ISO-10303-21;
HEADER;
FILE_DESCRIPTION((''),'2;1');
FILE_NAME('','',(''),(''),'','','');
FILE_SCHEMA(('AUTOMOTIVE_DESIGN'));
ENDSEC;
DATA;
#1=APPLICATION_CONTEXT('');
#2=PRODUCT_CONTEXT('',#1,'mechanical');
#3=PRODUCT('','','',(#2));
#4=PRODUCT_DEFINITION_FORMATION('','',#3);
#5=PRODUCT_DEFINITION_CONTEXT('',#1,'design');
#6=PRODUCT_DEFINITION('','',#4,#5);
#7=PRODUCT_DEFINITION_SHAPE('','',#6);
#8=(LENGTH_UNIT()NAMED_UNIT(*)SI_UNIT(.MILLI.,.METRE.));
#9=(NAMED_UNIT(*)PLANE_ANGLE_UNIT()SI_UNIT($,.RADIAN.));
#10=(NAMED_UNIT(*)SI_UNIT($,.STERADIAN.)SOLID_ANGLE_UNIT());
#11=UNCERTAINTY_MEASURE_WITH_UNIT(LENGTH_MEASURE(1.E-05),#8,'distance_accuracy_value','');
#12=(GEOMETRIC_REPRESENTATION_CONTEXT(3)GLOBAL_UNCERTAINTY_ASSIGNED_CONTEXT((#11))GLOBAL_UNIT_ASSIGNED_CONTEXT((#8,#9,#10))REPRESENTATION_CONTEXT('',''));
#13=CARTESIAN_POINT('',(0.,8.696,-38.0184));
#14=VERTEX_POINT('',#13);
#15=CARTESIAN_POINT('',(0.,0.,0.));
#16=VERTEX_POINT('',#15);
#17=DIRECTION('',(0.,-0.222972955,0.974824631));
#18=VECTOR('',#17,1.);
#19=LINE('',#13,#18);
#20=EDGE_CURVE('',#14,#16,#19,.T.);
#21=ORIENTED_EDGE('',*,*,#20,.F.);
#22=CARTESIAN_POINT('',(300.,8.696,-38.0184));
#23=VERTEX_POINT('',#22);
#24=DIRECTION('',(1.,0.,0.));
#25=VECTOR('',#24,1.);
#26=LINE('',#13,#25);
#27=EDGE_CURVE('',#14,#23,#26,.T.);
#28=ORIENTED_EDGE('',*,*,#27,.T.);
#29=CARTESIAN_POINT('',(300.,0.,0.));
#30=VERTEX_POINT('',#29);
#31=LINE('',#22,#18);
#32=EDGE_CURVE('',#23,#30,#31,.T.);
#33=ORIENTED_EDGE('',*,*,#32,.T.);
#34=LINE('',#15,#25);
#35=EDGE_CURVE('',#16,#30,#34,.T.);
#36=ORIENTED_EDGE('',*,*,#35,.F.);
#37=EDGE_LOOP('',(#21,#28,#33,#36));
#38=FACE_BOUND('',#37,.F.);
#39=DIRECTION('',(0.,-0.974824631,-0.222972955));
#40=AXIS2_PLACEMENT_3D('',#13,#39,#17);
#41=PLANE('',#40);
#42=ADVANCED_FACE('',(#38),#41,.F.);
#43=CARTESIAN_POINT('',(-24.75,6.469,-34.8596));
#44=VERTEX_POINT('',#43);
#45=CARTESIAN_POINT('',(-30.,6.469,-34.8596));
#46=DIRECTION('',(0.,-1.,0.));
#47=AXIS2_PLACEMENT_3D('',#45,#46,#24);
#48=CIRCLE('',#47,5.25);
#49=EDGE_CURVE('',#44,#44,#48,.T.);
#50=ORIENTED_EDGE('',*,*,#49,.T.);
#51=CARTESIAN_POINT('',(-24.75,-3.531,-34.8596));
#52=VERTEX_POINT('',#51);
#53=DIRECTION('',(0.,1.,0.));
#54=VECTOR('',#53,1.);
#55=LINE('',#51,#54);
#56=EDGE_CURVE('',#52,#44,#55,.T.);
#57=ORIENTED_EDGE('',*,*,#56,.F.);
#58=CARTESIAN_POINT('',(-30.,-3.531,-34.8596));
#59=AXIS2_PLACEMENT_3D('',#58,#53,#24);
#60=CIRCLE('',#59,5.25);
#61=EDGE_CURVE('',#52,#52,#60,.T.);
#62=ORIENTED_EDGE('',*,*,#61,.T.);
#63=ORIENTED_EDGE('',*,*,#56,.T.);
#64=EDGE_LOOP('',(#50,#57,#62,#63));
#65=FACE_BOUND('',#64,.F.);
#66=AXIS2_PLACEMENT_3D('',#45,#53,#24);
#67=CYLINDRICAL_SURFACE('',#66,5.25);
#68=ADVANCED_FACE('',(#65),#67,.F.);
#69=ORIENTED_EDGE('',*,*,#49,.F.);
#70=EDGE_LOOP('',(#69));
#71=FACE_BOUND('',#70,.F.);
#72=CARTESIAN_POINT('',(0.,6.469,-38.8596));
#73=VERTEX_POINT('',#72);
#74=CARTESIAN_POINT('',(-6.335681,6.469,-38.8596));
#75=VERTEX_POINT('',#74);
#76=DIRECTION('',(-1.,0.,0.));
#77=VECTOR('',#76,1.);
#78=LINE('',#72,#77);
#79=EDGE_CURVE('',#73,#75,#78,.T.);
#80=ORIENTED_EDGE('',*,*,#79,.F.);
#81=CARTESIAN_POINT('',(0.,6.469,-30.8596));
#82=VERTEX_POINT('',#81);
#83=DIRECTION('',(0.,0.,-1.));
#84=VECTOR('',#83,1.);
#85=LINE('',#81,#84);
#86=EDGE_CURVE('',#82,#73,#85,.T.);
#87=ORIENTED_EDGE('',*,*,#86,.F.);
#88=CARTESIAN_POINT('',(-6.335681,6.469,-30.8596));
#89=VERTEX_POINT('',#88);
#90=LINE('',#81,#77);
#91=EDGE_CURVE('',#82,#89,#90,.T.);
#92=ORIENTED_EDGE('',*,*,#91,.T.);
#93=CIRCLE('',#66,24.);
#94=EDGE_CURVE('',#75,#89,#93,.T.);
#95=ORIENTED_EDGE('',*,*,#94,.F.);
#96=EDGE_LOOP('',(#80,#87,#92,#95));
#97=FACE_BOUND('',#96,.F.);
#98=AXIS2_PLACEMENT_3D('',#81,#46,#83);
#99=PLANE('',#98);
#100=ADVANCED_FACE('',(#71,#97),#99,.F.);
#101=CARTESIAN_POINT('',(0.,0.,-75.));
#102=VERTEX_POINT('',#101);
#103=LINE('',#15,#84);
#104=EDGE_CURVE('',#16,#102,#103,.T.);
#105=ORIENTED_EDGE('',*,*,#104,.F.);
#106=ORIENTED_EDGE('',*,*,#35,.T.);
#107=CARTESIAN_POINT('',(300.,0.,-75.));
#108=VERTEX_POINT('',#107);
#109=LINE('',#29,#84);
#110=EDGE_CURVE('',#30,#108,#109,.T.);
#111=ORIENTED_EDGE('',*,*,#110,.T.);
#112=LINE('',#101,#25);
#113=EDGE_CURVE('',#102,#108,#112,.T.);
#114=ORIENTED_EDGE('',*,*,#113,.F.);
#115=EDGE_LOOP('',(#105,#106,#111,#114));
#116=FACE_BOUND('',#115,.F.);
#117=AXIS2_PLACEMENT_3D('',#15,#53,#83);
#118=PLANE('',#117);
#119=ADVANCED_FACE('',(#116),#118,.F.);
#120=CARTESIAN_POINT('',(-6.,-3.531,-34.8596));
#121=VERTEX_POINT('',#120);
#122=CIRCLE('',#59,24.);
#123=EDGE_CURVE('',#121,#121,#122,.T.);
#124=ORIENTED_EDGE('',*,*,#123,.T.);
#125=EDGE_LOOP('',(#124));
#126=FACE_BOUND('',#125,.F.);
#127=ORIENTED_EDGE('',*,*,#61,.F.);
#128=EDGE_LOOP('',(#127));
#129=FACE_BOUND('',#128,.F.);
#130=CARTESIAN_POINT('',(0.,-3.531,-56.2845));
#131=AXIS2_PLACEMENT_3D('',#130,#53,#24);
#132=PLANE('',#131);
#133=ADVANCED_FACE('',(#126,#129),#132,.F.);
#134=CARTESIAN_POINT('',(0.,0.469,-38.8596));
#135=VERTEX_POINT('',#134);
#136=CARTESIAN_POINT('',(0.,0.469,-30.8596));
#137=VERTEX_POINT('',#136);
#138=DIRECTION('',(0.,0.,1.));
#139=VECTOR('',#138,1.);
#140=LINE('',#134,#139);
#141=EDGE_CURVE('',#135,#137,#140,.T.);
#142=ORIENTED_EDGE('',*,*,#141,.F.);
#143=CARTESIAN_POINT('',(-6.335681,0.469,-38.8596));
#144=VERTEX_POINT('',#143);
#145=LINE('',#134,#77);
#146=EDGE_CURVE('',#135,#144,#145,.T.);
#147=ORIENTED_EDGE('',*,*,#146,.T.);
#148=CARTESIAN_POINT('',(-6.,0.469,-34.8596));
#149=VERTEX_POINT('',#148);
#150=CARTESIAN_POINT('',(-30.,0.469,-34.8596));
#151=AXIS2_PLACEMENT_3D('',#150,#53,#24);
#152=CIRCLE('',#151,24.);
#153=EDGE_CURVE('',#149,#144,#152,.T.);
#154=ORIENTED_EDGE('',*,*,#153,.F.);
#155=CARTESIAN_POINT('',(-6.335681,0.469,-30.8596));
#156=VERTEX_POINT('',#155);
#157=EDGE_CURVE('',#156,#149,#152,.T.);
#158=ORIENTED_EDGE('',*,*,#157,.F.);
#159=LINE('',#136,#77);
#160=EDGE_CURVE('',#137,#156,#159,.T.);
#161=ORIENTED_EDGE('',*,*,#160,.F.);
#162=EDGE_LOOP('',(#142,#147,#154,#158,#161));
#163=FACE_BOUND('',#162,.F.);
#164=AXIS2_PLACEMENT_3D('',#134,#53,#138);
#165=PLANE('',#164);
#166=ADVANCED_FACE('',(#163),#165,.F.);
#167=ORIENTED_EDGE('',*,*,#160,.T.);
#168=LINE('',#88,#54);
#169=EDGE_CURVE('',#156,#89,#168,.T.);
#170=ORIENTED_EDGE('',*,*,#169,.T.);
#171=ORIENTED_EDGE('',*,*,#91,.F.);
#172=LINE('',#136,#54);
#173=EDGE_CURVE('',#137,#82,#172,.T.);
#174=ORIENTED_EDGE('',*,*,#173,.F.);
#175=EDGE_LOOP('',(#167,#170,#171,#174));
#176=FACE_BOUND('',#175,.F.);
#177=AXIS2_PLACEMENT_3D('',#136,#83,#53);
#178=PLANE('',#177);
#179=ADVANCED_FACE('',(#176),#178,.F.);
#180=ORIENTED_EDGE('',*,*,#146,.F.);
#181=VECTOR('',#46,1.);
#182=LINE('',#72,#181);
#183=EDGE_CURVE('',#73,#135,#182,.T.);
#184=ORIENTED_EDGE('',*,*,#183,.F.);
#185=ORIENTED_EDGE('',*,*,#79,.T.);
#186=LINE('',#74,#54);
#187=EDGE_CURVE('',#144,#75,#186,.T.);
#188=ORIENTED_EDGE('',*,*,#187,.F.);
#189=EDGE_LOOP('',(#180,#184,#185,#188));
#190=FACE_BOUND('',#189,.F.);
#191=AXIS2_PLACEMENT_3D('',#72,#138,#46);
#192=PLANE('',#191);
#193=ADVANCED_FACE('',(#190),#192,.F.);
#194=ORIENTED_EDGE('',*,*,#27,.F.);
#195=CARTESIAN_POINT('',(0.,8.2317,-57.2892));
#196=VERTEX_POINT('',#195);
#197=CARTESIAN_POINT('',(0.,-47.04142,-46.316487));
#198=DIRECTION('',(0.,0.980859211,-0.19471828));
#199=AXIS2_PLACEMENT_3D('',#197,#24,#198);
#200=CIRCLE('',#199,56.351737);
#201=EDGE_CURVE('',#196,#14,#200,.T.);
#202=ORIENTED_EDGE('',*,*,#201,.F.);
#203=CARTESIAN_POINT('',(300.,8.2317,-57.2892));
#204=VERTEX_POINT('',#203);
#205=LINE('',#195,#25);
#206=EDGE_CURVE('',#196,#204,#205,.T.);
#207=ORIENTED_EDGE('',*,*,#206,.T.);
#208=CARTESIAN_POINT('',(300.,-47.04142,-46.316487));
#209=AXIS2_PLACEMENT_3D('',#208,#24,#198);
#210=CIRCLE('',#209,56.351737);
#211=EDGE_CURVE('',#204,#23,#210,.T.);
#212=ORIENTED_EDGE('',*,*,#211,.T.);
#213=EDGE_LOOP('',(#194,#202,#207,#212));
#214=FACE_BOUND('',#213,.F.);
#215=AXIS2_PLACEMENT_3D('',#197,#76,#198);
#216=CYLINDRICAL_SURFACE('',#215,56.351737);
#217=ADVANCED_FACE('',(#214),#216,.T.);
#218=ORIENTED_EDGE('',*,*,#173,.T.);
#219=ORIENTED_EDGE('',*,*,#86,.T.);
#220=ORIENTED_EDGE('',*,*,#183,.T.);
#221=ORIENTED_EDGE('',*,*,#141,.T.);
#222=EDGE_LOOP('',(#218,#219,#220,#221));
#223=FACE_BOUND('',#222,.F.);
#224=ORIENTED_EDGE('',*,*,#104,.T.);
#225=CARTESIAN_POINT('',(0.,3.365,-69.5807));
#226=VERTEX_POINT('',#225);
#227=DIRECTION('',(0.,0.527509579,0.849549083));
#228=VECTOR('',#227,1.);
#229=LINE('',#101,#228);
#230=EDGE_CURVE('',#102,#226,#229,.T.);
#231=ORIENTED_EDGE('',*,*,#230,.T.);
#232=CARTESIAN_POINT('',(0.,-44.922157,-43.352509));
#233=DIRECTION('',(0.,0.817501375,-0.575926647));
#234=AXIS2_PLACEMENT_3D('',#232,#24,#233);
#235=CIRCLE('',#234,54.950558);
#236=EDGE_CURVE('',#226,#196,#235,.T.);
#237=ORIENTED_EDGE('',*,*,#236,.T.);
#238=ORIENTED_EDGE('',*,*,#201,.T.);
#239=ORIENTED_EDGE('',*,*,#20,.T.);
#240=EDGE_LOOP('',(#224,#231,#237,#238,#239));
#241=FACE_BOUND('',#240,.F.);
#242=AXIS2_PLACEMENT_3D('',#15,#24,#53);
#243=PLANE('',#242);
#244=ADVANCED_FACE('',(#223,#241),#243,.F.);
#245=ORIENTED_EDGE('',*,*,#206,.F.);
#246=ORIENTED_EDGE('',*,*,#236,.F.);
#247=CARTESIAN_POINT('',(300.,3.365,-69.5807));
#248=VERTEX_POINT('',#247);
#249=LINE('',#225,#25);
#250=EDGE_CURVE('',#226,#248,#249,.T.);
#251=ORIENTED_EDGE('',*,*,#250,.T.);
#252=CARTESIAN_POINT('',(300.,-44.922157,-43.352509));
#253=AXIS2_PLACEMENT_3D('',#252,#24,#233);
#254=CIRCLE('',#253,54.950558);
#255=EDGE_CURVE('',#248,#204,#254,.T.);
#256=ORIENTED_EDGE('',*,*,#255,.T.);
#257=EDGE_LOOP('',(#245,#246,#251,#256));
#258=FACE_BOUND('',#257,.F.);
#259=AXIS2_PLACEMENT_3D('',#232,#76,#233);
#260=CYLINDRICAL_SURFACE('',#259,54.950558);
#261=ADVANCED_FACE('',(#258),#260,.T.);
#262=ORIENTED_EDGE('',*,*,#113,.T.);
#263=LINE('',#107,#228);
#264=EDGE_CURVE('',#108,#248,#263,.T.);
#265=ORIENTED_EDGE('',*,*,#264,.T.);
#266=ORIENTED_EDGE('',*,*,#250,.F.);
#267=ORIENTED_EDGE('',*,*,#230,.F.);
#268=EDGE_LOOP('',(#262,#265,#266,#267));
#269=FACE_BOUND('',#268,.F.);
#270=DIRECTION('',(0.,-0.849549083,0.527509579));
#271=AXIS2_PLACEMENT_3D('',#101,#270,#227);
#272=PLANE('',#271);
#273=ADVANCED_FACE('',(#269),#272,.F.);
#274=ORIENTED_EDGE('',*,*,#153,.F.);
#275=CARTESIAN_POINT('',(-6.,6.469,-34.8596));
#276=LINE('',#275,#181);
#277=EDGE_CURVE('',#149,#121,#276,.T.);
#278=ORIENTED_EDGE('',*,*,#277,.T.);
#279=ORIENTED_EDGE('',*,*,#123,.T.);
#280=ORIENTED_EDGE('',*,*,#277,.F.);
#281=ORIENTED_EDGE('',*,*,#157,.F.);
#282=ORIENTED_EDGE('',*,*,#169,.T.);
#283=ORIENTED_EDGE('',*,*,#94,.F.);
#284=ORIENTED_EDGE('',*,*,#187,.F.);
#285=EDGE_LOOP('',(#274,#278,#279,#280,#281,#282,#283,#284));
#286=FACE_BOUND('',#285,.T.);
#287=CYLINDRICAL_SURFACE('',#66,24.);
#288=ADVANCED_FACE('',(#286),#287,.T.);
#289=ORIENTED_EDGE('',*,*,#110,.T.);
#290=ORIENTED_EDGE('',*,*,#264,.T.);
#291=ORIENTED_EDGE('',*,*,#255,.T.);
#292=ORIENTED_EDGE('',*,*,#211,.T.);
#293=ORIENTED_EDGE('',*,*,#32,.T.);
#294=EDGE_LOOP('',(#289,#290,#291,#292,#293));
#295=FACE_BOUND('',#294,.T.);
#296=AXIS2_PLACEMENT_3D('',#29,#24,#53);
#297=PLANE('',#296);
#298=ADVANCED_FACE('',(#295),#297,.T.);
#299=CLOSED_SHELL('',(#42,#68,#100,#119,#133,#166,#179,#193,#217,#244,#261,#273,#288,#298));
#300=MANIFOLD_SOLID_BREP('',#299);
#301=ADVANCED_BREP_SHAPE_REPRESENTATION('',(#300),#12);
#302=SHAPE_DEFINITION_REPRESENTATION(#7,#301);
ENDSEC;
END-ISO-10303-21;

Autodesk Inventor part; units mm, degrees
ref_plane "YZ Plane" through (0, 0, 0) normal (1, 0, 0) x (0, 1, 0)
ref_plane "XZ Plane" through (0, 0, 0) normal (0, 1, 0) x (-1, 0, 0)
ref_plane "XY Plane" through (0, 0, 0) normal (0, 0, 1) x (1, 0, 0)
sketch "Sketch1" plane through (0, 0, 0) normal (1, 0, 0) x (0, 1, 0)
  line L0 (0, 0) -> (0, -75)
  line L1 (0, -75) -> (3.365, -69.5807)
  line L2 (8.696, -38.0184) -> (0, 0)
  arc A0 (0, -75) -> (5.1288, -67.1329) centre (-33.3696, -47.6401) ccw
  arc A1 (0, -75) -> (8.2317, -57.2892) centre (-44.922, -43.3526) ccw
  arc A2 (8.2317, -57.2892) -> (8.696, -38.0184) centre (-47.0413, -46.3165) ccw
  point P0 (13.3125, -58.2014)
  dimension "d0" = 75
extrude "Extrusion1" add sketch "Sketch1" along normal blind 300 contours L2 A2 A1 L1 L0
sketch "Sketch2" plane through (0, 0, 0) normal (-1, 0, 0) x (0, 0, 1)
  line L0 (-99.8775, 0) -> (-66.8775, 0)
  line L1 (0, 0) -> (-75, 0) projected
  line L2 (-30.8596, 6.469) -> (-38.8596, 6.469)
  line L3 (-38.8596, 6.469) -> (-38.8596, 0.469)
  line L4 (-38.8596, 0.469) -> (-30.8596, 0.469)
  line L5 (-30.8596, 0.469) -> (-30.8596, 6.469)
  arc A0 (-87.3159, 9.7453) -> (-75, 0) centre (-67.8231, -28.7531) ccw projected
  line L6 (-75, 0) -> (-36, 0)
  dimension "d3" = 33
  dimension "d4" = 8
  dimension "d5" = 6
  dimension "d15" = 39
extrude "Extrusion2" add sketch "Sketch2" along normal blind 30
sketch "Sketch3" plane through (0, 6.469, -56.2845) normal (0, 1, 0) x (1, 0, 0)
  line L0 (-30, -17.4249) -> (-30, -25.4249) projected
  circle A0 centre (-30, -21.4249) radius 24
  circle A1 centre (-30, -21.4249) radius 5.25
  point P0 (0, -56.2845)
  dimension "d8" = 48
  dimension "d9" = 10.5
extrude "Extrusion3" add sketch "Sketch3" against normal blind 10
sketch "Sketch4" plane through (0, 6.469, -56.2845) normal (0, 1, 0) x (1, 0, 0)
  line L0 (-30, -17.4249) -> (-30, -25.4249) projected
  circle A0 centre (-30, -21.4249) radius 5.25
  point P0 (0, -56.2845)
  dimension "d12" = 10.5
extrude "Extrusion4" cut sketch "Sketch4" against normal blind 30
properties part number "elevator"
